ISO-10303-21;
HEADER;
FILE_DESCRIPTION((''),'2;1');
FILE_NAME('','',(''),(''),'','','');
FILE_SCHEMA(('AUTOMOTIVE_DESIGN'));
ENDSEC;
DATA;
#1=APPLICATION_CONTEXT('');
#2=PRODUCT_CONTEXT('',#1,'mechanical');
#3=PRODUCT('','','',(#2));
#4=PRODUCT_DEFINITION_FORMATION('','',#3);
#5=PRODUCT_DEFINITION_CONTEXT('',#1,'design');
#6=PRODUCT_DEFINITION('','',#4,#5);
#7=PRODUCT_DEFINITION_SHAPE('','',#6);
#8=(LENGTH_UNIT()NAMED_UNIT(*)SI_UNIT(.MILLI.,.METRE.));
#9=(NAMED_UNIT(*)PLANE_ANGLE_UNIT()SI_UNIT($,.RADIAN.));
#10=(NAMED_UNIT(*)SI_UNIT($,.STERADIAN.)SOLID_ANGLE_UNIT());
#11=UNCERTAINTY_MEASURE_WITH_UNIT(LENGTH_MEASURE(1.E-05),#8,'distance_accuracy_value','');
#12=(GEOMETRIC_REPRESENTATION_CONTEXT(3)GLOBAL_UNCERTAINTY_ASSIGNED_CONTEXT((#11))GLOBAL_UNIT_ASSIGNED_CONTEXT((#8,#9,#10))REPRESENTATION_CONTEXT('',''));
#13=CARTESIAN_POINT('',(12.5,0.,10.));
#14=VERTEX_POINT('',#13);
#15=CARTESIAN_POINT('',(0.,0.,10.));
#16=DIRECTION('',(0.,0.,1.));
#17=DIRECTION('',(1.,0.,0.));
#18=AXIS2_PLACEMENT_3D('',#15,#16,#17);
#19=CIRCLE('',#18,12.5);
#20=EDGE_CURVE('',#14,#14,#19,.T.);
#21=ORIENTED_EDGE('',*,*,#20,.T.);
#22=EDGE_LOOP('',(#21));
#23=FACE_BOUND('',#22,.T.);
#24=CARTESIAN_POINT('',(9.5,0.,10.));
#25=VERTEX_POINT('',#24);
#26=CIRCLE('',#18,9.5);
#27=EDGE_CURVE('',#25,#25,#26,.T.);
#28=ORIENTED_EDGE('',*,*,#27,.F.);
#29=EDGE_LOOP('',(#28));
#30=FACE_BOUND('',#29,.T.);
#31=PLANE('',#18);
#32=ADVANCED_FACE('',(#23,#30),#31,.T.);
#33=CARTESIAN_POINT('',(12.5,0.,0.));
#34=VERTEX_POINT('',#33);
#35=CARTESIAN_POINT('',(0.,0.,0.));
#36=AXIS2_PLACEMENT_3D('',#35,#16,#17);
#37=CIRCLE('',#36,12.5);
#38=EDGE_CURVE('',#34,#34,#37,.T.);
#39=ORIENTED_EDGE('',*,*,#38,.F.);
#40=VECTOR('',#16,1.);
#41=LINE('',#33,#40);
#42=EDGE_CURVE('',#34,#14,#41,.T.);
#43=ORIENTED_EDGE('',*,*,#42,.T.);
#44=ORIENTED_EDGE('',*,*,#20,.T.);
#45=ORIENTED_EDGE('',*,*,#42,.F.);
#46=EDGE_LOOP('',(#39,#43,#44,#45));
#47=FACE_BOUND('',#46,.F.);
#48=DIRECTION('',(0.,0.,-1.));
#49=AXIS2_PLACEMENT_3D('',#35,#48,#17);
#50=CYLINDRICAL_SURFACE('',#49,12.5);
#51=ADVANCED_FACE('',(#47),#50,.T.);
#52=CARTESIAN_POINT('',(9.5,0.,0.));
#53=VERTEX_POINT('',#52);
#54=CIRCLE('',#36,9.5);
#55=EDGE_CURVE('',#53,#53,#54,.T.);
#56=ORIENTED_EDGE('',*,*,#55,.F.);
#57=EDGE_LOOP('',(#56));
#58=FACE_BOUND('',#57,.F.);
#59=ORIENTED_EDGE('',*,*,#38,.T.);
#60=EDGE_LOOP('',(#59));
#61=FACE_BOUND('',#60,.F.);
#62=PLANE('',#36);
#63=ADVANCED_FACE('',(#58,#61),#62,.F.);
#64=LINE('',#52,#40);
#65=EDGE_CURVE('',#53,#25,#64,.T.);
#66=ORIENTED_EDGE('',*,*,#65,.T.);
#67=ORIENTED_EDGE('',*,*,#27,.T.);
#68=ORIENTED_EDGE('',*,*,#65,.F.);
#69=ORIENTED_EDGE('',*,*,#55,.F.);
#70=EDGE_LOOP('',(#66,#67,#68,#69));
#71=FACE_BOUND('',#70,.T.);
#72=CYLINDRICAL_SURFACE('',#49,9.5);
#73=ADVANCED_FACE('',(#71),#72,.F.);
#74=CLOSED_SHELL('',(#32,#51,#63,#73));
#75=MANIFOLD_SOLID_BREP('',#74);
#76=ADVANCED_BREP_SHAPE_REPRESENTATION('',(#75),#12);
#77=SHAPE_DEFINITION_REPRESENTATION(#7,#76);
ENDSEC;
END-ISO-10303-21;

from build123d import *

# Parameters (mm, degrees)
F0_R     = 12.5
F0_R_2   = 9.5
F1_DEPTH = 10
F2_W     = 9.781936
F2_H     = 3.364756
F2_R     = 1
F3_DEPTH = 10.001


with BuildPart() as f1:
    # F0 (on Top) → F1 (new body)
    with BuildSketch(Plane.XY):
        Circle(F0_R)
        Circle(F0_R_2, mode=Mode.SUBTRACT)
    extrude(amount=F1_DEPTH)

    # F2 (on face) → F3 (cut, through all)
    with BuildSketch(Plane.XY.offset(10)):
        with Locations((18.416988, 0)):
            Rectangle(F2_W, F2_H)
        with BuildLine():
            ThreePointArc((-14.076162, 2.241462), (-18.807072, -1.228442), (-13.070116, 0))
            ThreePointArc((-13.070116, 0), (-13.333159, 1.228442), (-14.076162, 2.241462))
        make_face()
        with Locations((-16.070116, 0)):
            Circle(F2_R, mode=Mode.SUBTRACT)
    extrude(amount=-F3_DEPTH, mode=Mode.SUBTRACT)


solid = f1.part
